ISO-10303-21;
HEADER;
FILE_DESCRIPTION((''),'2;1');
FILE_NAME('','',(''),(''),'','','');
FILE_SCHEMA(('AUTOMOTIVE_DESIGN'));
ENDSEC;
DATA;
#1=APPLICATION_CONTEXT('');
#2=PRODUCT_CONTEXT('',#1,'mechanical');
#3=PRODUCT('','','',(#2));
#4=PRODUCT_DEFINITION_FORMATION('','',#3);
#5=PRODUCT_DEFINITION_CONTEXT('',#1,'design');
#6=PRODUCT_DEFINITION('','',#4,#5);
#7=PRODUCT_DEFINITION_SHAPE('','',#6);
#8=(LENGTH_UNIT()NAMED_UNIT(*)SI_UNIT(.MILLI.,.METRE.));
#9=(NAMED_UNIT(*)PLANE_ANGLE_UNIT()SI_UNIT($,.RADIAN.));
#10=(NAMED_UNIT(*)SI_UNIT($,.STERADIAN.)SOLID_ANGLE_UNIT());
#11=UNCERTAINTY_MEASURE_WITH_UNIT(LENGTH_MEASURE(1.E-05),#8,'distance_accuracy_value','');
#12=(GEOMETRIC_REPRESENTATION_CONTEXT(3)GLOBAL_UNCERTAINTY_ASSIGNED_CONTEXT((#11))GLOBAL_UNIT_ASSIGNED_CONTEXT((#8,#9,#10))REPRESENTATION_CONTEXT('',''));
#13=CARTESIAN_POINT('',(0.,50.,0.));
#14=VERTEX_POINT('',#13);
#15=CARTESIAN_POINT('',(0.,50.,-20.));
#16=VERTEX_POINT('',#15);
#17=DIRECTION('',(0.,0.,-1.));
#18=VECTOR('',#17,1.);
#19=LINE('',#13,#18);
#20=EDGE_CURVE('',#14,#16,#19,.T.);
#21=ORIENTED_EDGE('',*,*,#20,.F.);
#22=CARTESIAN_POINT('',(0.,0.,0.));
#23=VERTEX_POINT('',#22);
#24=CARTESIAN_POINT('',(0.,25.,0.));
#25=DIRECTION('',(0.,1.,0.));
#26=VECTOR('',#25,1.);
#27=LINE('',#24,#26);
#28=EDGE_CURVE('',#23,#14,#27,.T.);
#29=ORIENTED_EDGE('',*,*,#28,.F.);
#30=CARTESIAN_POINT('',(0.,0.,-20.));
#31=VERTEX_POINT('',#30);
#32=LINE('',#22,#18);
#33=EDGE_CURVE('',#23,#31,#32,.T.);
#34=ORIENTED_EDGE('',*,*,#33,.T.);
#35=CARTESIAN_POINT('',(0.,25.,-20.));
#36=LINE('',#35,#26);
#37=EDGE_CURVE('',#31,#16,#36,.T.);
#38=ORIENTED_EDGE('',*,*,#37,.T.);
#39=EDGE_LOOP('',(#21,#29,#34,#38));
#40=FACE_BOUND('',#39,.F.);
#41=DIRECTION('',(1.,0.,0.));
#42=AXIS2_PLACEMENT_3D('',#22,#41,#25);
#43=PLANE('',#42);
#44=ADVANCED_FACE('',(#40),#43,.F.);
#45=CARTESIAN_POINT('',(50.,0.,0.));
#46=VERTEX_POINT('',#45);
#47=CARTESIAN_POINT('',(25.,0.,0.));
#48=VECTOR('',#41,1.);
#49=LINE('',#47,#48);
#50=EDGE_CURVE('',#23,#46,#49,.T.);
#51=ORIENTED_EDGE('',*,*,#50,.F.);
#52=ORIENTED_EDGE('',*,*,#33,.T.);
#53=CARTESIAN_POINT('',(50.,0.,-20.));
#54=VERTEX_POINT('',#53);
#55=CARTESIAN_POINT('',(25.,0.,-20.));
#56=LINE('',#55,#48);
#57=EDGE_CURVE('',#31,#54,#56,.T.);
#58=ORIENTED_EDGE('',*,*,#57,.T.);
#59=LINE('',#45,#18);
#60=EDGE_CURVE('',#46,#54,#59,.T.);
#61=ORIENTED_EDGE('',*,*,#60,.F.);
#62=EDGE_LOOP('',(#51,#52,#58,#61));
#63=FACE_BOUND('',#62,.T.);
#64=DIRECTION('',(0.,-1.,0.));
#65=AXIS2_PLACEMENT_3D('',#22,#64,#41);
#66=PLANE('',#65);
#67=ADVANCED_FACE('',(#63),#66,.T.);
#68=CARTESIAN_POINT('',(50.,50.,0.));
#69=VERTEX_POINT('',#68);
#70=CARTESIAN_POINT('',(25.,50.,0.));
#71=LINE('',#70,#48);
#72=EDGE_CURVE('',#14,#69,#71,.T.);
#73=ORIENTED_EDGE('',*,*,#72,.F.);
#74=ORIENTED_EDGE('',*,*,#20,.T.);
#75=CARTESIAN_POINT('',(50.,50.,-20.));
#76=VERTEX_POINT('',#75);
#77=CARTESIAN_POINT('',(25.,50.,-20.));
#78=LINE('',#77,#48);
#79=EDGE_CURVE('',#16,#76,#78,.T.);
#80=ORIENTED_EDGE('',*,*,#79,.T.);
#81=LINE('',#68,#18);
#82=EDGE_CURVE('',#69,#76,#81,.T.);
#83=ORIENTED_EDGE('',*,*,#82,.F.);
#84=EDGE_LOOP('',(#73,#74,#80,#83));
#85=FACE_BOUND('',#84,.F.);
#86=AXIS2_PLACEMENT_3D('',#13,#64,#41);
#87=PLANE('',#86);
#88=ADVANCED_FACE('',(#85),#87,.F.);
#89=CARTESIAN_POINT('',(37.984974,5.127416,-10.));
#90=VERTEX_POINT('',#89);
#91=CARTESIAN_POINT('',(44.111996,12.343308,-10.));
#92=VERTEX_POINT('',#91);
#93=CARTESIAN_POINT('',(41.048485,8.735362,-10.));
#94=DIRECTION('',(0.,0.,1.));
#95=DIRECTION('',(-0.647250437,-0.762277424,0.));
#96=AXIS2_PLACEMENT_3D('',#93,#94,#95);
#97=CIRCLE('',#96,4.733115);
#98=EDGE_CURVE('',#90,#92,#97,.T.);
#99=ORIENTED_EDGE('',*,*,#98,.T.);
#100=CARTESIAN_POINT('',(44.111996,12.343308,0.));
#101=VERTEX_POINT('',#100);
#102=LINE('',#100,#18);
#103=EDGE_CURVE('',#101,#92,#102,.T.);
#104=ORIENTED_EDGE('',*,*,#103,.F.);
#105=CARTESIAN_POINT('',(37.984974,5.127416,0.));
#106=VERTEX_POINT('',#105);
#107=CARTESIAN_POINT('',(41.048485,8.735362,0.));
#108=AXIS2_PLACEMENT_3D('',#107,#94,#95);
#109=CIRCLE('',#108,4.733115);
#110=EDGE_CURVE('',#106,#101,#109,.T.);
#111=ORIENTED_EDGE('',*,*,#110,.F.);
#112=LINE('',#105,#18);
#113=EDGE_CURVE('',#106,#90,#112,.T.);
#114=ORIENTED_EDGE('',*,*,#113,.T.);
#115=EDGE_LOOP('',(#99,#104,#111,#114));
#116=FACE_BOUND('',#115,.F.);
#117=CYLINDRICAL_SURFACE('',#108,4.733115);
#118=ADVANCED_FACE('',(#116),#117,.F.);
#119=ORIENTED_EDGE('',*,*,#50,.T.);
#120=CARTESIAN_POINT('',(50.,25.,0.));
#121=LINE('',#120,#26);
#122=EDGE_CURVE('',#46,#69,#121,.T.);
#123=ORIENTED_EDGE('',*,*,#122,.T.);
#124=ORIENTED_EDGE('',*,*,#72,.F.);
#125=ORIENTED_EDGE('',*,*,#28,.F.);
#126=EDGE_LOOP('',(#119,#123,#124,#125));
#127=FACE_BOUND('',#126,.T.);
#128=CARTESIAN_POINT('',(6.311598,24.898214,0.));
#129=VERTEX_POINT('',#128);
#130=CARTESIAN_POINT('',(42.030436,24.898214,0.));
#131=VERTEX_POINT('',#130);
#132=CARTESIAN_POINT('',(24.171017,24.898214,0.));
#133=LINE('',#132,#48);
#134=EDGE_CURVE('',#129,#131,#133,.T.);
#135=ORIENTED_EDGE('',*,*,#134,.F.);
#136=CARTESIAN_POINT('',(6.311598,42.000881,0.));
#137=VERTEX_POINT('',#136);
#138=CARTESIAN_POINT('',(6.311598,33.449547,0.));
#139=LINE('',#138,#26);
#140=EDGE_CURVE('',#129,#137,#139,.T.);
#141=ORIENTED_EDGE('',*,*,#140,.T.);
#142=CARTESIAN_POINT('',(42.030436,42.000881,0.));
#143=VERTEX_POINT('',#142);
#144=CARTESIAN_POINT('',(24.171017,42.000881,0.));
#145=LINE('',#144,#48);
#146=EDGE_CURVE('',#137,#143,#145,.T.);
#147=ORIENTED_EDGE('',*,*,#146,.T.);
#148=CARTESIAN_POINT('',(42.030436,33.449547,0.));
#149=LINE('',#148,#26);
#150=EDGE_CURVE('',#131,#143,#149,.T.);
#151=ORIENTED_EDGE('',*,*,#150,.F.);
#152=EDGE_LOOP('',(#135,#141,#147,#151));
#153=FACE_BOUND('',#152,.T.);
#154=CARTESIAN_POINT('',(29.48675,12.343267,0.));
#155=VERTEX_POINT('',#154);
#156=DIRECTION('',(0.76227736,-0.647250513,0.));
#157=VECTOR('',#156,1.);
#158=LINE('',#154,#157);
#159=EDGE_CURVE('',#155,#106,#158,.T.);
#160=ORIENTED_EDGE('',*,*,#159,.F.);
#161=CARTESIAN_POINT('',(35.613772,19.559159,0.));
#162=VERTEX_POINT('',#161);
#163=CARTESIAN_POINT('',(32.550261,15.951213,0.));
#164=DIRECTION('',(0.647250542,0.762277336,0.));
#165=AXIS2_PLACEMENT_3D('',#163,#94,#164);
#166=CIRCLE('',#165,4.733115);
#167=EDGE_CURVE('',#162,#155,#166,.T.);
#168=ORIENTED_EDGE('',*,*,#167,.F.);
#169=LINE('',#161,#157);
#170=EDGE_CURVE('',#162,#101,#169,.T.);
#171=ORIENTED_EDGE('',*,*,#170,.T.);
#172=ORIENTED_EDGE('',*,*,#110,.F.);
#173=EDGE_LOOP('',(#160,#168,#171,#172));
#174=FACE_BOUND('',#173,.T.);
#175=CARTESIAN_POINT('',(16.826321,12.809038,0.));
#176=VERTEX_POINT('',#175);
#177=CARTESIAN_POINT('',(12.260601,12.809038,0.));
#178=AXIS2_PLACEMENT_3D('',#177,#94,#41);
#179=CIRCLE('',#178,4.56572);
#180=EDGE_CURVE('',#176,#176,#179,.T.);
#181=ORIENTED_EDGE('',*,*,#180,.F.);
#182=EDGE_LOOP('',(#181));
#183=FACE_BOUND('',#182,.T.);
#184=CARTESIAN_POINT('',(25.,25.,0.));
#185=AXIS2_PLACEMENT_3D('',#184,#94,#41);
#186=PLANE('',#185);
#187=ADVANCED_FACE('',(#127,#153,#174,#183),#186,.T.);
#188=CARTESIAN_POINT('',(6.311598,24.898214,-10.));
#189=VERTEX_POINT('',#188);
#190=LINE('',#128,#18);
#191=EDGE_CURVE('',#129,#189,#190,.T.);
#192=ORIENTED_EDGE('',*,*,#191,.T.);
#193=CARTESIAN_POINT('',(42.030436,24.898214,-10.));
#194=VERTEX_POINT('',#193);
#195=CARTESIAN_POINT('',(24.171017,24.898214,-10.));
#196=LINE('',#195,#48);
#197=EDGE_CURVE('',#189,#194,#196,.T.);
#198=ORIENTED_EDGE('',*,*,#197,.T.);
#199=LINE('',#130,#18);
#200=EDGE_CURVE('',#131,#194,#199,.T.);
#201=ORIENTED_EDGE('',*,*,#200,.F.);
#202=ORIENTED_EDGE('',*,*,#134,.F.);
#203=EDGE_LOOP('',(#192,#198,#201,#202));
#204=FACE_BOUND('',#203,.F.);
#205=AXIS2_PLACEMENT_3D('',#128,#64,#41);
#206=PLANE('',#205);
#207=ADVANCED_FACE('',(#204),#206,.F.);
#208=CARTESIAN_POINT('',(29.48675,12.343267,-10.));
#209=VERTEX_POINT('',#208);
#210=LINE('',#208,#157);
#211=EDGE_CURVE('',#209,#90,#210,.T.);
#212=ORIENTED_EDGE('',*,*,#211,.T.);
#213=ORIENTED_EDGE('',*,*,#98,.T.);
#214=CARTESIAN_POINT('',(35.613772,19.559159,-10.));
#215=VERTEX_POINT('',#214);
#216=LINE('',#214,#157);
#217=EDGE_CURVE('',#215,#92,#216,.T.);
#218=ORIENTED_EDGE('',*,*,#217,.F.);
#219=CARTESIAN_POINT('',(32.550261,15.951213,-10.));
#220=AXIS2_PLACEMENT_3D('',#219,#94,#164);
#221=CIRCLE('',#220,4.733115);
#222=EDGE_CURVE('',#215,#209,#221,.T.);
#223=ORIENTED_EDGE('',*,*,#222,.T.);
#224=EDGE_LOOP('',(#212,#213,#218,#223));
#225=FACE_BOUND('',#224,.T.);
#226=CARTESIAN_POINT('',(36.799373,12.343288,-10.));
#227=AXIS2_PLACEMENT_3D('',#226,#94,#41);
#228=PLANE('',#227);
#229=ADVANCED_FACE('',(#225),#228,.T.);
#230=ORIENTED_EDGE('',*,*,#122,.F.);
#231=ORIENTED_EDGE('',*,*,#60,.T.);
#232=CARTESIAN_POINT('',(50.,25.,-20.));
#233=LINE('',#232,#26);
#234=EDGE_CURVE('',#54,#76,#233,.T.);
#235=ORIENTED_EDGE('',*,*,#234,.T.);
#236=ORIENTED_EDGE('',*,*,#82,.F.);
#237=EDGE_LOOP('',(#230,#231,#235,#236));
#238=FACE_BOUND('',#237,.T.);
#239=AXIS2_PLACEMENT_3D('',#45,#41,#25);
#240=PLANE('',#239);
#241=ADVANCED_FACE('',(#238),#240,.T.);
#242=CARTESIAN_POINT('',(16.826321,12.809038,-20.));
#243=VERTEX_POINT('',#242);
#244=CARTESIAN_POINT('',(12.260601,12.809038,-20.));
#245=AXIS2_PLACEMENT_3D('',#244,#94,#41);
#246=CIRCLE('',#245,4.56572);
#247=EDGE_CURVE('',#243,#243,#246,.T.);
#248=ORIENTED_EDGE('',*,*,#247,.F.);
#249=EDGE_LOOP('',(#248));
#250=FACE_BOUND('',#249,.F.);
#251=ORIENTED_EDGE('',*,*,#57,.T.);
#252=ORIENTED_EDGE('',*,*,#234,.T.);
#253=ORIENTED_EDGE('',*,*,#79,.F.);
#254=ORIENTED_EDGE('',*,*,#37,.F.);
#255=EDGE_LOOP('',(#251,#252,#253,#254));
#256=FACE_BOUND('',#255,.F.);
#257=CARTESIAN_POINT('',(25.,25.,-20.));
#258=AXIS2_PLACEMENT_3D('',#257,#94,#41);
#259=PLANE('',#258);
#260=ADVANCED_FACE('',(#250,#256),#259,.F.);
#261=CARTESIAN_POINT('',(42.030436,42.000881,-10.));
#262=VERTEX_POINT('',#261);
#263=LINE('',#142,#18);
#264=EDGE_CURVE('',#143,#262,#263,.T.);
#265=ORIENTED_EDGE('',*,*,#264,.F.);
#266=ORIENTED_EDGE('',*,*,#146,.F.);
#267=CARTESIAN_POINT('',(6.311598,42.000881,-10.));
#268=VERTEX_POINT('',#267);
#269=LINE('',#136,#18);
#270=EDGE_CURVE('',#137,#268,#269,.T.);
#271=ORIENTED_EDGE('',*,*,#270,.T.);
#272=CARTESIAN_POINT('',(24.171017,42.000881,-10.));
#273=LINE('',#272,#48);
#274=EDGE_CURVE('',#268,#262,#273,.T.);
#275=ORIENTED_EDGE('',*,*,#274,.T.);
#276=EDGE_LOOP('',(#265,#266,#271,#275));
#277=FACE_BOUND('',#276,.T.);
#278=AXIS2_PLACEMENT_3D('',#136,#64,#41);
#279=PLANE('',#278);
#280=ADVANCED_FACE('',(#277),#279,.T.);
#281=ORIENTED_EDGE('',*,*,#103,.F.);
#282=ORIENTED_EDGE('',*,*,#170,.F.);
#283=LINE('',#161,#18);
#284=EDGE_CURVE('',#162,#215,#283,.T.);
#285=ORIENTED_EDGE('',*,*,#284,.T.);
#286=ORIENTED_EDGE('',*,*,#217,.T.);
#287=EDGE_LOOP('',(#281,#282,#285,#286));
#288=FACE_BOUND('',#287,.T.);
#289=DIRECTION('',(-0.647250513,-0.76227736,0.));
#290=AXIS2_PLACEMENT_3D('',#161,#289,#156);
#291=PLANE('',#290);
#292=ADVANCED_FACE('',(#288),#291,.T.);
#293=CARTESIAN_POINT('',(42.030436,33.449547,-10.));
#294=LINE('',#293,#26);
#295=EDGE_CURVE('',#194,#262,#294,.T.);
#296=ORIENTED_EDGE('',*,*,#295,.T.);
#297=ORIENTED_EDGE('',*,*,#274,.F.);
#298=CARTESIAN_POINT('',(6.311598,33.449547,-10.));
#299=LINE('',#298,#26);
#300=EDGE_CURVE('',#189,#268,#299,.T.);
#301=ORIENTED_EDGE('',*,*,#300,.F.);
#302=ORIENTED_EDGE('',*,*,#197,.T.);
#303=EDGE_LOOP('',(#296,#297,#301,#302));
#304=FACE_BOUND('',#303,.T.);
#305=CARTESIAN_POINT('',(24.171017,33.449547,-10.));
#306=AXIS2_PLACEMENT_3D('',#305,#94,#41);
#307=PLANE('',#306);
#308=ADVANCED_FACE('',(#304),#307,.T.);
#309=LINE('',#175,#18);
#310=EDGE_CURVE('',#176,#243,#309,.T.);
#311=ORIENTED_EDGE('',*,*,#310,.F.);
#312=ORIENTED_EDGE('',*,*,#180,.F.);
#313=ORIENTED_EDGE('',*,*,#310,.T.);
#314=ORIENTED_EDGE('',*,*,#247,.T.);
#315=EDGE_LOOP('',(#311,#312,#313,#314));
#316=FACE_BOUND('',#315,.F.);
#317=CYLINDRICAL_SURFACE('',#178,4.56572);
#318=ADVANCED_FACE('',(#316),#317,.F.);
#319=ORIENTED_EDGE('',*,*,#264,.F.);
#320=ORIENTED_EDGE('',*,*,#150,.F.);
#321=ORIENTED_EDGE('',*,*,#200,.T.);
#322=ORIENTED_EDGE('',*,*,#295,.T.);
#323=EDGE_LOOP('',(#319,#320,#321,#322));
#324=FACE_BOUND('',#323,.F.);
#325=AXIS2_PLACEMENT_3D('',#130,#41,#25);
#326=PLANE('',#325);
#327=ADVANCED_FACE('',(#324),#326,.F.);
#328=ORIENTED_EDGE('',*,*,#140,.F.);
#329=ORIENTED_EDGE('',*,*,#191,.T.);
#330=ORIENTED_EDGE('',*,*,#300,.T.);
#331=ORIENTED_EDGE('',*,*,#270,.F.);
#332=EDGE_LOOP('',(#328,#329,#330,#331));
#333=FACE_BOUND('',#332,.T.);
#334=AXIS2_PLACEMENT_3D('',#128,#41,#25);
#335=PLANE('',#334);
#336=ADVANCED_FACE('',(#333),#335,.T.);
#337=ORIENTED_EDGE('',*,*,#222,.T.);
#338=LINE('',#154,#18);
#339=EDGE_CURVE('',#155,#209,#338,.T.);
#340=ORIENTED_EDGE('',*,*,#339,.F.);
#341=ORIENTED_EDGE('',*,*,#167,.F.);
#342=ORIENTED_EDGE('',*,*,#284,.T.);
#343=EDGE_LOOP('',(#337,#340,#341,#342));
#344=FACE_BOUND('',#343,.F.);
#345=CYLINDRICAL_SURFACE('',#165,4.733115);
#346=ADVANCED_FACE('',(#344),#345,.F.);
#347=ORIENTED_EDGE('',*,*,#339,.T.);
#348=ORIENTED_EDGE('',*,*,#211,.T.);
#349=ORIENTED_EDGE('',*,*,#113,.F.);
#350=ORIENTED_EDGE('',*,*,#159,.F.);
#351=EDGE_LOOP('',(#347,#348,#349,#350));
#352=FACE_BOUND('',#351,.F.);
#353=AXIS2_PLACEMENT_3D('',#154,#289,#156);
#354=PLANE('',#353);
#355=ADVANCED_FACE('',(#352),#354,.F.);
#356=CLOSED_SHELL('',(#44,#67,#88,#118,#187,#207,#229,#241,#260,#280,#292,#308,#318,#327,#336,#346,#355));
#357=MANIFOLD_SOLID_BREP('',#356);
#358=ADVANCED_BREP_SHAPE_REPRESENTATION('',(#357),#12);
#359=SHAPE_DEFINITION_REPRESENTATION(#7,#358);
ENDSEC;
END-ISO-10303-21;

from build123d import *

# Parameters (mm, degrees)
SKETCH_W        = 50
SKETCH_H        = 50
SKETCH_R        = 4.56572
PAD_DEPTH       = 20
SKETCH001_W     = 35.718838
SKETCH001_H     = 17.102667
POCKET_DEPTH    = 10
POCKET001_DEPTH = 10


with BuildPart() as part:
    # Sketch → Pad (new body)
    with BuildSketch(Plane.XY):
        Rectangle(SKETCH_W, SKETCH_H)
        with Locations((-12.739399, -12.190962)):
            Circle(SKETCH_R, mode=Mode.SUBTRACT)
    extrude(amount=-PAD_DEPTH)

    # Sketch001 → Pocket (cut)
    with BuildSketch(Plane.XY):
        with Locations((-0.828983, 8.449547)):
            Rectangle(SKETCH001_W, SKETCH001_H)
    extrude(amount=-POCKET_DEPTH, mode=Mode.SUBTRACT)

    # Sketch002 → Pocket001 (cut)
    with BuildSketch(Plane.XY):
        with BuildLine():
            ThreePointArc((10.613772, -5.440841), (3.942315, -5.985276), (4.48675, -12.656733))
            Line((4.48675, -12.656733), (12.984974, -19.872584))
            ThreePointArc((12.984974, -19.872584), (19.656431, -19.328148), (19.111996, -12.656692))
            Line((10.613772, -5.440841), (19.111996, -12.656692))
        make_face()
    extrude(amount=-POCKET001_DEPTH, mode=Mode.SUBTRACT)


with BuildPart() as part_1:
    # Clone placement: moved
    add(part.part.moved(Location((25, 25, 0))))


solid = part_1.part
